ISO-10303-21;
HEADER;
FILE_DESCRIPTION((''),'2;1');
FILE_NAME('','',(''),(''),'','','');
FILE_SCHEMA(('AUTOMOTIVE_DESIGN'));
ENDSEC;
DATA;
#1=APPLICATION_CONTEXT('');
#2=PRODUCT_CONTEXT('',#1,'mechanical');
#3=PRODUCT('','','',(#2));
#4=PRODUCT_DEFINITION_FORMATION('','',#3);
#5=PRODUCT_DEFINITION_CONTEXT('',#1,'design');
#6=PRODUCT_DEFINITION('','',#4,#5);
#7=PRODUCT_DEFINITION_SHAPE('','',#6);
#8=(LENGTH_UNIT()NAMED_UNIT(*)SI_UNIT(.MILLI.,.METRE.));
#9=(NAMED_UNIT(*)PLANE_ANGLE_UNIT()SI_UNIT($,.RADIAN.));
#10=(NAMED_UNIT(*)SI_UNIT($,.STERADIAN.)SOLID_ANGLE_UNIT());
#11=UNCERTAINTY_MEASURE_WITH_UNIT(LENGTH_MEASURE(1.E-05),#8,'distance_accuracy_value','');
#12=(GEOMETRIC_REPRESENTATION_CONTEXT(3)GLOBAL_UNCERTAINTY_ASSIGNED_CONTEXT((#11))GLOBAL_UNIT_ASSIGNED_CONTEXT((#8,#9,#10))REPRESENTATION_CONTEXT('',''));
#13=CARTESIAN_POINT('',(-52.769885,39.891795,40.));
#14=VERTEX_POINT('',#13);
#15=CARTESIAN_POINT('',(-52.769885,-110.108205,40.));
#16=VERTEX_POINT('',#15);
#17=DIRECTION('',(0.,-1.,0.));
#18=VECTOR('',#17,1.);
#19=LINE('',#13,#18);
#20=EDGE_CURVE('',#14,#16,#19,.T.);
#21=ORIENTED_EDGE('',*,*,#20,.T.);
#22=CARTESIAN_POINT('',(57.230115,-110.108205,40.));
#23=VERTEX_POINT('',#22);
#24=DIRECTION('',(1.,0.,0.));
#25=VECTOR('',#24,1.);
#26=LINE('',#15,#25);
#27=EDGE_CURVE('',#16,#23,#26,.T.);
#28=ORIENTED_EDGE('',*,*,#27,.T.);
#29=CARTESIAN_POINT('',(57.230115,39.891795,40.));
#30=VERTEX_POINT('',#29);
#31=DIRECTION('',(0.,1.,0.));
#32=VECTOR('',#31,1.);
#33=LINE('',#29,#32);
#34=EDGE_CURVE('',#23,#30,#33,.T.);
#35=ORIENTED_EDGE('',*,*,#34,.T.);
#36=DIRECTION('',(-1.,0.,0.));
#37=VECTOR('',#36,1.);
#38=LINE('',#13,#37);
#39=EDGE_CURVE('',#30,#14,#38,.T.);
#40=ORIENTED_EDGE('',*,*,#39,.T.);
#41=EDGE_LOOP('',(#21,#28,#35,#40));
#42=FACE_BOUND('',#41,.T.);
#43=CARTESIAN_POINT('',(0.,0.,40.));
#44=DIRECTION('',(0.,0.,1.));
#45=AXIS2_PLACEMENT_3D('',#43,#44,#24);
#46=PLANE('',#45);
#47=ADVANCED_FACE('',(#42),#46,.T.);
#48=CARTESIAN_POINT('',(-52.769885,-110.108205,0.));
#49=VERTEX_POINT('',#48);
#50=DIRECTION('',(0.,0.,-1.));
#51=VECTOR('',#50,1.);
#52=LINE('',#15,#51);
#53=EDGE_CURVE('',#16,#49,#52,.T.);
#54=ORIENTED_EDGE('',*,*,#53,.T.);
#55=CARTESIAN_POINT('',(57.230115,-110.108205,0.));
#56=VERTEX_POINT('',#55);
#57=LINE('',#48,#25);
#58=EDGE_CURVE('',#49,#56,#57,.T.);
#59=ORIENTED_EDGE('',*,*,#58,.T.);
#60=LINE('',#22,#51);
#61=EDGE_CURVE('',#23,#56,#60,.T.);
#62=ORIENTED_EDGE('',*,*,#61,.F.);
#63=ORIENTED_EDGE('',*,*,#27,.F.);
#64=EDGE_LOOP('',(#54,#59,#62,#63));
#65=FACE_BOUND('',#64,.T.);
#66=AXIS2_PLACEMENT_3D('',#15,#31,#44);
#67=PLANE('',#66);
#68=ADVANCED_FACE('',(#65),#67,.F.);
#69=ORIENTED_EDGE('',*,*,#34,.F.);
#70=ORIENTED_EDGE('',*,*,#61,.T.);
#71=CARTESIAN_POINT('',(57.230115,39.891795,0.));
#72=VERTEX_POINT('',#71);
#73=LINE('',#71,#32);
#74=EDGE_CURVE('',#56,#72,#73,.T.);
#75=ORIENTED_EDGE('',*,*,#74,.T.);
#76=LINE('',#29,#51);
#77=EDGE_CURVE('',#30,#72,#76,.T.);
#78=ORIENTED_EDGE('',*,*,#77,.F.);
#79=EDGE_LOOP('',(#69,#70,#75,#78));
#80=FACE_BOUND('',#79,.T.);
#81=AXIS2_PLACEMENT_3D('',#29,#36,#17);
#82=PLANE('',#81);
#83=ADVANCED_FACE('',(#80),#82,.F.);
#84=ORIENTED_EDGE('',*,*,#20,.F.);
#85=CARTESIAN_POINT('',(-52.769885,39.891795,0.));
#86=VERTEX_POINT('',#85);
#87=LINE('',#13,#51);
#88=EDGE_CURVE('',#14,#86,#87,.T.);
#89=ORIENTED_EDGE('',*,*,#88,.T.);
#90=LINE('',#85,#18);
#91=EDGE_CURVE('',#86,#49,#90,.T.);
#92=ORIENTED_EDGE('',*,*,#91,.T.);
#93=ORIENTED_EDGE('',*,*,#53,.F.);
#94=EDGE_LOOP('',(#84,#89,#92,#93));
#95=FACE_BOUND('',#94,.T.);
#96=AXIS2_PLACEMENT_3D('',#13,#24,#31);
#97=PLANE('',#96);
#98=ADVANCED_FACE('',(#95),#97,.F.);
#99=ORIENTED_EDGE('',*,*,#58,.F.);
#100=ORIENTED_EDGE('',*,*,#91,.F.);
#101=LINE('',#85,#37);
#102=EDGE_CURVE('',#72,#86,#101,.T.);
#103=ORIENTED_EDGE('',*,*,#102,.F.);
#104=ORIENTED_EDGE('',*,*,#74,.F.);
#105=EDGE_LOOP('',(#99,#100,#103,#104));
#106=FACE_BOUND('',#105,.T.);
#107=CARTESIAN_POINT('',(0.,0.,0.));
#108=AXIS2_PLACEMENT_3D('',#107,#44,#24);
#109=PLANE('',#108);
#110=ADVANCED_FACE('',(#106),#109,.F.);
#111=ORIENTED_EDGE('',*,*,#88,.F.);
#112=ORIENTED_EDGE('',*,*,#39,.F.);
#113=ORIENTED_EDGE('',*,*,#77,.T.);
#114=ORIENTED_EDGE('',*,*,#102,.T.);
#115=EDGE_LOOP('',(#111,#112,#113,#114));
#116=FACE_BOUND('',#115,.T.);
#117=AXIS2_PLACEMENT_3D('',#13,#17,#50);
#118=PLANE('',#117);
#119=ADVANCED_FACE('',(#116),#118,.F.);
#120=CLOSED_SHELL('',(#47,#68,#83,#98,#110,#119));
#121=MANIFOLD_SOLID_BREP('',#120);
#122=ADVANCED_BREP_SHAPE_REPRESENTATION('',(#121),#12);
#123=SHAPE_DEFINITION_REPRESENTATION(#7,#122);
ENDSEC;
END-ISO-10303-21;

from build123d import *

# Parameters (mm, degrees)
ESQUISSE1_W        = 110
ESQUISSE1_H        = 150
BOSS_EXTRU_1_DEPTH = 40


with BuildPart() as part:
    # Esquisse1 → Boss.-Extru.1 (new body)
    with BuildSketch(Plane.XY):
        with Locations((2.230115498, -35.108205431)):
            Rectangle(ESQUISSE1_W, ESQUISSE1_H)
    extrude(amount=BOSS_EXTRU_1_DEPTH)


solid = part.part
